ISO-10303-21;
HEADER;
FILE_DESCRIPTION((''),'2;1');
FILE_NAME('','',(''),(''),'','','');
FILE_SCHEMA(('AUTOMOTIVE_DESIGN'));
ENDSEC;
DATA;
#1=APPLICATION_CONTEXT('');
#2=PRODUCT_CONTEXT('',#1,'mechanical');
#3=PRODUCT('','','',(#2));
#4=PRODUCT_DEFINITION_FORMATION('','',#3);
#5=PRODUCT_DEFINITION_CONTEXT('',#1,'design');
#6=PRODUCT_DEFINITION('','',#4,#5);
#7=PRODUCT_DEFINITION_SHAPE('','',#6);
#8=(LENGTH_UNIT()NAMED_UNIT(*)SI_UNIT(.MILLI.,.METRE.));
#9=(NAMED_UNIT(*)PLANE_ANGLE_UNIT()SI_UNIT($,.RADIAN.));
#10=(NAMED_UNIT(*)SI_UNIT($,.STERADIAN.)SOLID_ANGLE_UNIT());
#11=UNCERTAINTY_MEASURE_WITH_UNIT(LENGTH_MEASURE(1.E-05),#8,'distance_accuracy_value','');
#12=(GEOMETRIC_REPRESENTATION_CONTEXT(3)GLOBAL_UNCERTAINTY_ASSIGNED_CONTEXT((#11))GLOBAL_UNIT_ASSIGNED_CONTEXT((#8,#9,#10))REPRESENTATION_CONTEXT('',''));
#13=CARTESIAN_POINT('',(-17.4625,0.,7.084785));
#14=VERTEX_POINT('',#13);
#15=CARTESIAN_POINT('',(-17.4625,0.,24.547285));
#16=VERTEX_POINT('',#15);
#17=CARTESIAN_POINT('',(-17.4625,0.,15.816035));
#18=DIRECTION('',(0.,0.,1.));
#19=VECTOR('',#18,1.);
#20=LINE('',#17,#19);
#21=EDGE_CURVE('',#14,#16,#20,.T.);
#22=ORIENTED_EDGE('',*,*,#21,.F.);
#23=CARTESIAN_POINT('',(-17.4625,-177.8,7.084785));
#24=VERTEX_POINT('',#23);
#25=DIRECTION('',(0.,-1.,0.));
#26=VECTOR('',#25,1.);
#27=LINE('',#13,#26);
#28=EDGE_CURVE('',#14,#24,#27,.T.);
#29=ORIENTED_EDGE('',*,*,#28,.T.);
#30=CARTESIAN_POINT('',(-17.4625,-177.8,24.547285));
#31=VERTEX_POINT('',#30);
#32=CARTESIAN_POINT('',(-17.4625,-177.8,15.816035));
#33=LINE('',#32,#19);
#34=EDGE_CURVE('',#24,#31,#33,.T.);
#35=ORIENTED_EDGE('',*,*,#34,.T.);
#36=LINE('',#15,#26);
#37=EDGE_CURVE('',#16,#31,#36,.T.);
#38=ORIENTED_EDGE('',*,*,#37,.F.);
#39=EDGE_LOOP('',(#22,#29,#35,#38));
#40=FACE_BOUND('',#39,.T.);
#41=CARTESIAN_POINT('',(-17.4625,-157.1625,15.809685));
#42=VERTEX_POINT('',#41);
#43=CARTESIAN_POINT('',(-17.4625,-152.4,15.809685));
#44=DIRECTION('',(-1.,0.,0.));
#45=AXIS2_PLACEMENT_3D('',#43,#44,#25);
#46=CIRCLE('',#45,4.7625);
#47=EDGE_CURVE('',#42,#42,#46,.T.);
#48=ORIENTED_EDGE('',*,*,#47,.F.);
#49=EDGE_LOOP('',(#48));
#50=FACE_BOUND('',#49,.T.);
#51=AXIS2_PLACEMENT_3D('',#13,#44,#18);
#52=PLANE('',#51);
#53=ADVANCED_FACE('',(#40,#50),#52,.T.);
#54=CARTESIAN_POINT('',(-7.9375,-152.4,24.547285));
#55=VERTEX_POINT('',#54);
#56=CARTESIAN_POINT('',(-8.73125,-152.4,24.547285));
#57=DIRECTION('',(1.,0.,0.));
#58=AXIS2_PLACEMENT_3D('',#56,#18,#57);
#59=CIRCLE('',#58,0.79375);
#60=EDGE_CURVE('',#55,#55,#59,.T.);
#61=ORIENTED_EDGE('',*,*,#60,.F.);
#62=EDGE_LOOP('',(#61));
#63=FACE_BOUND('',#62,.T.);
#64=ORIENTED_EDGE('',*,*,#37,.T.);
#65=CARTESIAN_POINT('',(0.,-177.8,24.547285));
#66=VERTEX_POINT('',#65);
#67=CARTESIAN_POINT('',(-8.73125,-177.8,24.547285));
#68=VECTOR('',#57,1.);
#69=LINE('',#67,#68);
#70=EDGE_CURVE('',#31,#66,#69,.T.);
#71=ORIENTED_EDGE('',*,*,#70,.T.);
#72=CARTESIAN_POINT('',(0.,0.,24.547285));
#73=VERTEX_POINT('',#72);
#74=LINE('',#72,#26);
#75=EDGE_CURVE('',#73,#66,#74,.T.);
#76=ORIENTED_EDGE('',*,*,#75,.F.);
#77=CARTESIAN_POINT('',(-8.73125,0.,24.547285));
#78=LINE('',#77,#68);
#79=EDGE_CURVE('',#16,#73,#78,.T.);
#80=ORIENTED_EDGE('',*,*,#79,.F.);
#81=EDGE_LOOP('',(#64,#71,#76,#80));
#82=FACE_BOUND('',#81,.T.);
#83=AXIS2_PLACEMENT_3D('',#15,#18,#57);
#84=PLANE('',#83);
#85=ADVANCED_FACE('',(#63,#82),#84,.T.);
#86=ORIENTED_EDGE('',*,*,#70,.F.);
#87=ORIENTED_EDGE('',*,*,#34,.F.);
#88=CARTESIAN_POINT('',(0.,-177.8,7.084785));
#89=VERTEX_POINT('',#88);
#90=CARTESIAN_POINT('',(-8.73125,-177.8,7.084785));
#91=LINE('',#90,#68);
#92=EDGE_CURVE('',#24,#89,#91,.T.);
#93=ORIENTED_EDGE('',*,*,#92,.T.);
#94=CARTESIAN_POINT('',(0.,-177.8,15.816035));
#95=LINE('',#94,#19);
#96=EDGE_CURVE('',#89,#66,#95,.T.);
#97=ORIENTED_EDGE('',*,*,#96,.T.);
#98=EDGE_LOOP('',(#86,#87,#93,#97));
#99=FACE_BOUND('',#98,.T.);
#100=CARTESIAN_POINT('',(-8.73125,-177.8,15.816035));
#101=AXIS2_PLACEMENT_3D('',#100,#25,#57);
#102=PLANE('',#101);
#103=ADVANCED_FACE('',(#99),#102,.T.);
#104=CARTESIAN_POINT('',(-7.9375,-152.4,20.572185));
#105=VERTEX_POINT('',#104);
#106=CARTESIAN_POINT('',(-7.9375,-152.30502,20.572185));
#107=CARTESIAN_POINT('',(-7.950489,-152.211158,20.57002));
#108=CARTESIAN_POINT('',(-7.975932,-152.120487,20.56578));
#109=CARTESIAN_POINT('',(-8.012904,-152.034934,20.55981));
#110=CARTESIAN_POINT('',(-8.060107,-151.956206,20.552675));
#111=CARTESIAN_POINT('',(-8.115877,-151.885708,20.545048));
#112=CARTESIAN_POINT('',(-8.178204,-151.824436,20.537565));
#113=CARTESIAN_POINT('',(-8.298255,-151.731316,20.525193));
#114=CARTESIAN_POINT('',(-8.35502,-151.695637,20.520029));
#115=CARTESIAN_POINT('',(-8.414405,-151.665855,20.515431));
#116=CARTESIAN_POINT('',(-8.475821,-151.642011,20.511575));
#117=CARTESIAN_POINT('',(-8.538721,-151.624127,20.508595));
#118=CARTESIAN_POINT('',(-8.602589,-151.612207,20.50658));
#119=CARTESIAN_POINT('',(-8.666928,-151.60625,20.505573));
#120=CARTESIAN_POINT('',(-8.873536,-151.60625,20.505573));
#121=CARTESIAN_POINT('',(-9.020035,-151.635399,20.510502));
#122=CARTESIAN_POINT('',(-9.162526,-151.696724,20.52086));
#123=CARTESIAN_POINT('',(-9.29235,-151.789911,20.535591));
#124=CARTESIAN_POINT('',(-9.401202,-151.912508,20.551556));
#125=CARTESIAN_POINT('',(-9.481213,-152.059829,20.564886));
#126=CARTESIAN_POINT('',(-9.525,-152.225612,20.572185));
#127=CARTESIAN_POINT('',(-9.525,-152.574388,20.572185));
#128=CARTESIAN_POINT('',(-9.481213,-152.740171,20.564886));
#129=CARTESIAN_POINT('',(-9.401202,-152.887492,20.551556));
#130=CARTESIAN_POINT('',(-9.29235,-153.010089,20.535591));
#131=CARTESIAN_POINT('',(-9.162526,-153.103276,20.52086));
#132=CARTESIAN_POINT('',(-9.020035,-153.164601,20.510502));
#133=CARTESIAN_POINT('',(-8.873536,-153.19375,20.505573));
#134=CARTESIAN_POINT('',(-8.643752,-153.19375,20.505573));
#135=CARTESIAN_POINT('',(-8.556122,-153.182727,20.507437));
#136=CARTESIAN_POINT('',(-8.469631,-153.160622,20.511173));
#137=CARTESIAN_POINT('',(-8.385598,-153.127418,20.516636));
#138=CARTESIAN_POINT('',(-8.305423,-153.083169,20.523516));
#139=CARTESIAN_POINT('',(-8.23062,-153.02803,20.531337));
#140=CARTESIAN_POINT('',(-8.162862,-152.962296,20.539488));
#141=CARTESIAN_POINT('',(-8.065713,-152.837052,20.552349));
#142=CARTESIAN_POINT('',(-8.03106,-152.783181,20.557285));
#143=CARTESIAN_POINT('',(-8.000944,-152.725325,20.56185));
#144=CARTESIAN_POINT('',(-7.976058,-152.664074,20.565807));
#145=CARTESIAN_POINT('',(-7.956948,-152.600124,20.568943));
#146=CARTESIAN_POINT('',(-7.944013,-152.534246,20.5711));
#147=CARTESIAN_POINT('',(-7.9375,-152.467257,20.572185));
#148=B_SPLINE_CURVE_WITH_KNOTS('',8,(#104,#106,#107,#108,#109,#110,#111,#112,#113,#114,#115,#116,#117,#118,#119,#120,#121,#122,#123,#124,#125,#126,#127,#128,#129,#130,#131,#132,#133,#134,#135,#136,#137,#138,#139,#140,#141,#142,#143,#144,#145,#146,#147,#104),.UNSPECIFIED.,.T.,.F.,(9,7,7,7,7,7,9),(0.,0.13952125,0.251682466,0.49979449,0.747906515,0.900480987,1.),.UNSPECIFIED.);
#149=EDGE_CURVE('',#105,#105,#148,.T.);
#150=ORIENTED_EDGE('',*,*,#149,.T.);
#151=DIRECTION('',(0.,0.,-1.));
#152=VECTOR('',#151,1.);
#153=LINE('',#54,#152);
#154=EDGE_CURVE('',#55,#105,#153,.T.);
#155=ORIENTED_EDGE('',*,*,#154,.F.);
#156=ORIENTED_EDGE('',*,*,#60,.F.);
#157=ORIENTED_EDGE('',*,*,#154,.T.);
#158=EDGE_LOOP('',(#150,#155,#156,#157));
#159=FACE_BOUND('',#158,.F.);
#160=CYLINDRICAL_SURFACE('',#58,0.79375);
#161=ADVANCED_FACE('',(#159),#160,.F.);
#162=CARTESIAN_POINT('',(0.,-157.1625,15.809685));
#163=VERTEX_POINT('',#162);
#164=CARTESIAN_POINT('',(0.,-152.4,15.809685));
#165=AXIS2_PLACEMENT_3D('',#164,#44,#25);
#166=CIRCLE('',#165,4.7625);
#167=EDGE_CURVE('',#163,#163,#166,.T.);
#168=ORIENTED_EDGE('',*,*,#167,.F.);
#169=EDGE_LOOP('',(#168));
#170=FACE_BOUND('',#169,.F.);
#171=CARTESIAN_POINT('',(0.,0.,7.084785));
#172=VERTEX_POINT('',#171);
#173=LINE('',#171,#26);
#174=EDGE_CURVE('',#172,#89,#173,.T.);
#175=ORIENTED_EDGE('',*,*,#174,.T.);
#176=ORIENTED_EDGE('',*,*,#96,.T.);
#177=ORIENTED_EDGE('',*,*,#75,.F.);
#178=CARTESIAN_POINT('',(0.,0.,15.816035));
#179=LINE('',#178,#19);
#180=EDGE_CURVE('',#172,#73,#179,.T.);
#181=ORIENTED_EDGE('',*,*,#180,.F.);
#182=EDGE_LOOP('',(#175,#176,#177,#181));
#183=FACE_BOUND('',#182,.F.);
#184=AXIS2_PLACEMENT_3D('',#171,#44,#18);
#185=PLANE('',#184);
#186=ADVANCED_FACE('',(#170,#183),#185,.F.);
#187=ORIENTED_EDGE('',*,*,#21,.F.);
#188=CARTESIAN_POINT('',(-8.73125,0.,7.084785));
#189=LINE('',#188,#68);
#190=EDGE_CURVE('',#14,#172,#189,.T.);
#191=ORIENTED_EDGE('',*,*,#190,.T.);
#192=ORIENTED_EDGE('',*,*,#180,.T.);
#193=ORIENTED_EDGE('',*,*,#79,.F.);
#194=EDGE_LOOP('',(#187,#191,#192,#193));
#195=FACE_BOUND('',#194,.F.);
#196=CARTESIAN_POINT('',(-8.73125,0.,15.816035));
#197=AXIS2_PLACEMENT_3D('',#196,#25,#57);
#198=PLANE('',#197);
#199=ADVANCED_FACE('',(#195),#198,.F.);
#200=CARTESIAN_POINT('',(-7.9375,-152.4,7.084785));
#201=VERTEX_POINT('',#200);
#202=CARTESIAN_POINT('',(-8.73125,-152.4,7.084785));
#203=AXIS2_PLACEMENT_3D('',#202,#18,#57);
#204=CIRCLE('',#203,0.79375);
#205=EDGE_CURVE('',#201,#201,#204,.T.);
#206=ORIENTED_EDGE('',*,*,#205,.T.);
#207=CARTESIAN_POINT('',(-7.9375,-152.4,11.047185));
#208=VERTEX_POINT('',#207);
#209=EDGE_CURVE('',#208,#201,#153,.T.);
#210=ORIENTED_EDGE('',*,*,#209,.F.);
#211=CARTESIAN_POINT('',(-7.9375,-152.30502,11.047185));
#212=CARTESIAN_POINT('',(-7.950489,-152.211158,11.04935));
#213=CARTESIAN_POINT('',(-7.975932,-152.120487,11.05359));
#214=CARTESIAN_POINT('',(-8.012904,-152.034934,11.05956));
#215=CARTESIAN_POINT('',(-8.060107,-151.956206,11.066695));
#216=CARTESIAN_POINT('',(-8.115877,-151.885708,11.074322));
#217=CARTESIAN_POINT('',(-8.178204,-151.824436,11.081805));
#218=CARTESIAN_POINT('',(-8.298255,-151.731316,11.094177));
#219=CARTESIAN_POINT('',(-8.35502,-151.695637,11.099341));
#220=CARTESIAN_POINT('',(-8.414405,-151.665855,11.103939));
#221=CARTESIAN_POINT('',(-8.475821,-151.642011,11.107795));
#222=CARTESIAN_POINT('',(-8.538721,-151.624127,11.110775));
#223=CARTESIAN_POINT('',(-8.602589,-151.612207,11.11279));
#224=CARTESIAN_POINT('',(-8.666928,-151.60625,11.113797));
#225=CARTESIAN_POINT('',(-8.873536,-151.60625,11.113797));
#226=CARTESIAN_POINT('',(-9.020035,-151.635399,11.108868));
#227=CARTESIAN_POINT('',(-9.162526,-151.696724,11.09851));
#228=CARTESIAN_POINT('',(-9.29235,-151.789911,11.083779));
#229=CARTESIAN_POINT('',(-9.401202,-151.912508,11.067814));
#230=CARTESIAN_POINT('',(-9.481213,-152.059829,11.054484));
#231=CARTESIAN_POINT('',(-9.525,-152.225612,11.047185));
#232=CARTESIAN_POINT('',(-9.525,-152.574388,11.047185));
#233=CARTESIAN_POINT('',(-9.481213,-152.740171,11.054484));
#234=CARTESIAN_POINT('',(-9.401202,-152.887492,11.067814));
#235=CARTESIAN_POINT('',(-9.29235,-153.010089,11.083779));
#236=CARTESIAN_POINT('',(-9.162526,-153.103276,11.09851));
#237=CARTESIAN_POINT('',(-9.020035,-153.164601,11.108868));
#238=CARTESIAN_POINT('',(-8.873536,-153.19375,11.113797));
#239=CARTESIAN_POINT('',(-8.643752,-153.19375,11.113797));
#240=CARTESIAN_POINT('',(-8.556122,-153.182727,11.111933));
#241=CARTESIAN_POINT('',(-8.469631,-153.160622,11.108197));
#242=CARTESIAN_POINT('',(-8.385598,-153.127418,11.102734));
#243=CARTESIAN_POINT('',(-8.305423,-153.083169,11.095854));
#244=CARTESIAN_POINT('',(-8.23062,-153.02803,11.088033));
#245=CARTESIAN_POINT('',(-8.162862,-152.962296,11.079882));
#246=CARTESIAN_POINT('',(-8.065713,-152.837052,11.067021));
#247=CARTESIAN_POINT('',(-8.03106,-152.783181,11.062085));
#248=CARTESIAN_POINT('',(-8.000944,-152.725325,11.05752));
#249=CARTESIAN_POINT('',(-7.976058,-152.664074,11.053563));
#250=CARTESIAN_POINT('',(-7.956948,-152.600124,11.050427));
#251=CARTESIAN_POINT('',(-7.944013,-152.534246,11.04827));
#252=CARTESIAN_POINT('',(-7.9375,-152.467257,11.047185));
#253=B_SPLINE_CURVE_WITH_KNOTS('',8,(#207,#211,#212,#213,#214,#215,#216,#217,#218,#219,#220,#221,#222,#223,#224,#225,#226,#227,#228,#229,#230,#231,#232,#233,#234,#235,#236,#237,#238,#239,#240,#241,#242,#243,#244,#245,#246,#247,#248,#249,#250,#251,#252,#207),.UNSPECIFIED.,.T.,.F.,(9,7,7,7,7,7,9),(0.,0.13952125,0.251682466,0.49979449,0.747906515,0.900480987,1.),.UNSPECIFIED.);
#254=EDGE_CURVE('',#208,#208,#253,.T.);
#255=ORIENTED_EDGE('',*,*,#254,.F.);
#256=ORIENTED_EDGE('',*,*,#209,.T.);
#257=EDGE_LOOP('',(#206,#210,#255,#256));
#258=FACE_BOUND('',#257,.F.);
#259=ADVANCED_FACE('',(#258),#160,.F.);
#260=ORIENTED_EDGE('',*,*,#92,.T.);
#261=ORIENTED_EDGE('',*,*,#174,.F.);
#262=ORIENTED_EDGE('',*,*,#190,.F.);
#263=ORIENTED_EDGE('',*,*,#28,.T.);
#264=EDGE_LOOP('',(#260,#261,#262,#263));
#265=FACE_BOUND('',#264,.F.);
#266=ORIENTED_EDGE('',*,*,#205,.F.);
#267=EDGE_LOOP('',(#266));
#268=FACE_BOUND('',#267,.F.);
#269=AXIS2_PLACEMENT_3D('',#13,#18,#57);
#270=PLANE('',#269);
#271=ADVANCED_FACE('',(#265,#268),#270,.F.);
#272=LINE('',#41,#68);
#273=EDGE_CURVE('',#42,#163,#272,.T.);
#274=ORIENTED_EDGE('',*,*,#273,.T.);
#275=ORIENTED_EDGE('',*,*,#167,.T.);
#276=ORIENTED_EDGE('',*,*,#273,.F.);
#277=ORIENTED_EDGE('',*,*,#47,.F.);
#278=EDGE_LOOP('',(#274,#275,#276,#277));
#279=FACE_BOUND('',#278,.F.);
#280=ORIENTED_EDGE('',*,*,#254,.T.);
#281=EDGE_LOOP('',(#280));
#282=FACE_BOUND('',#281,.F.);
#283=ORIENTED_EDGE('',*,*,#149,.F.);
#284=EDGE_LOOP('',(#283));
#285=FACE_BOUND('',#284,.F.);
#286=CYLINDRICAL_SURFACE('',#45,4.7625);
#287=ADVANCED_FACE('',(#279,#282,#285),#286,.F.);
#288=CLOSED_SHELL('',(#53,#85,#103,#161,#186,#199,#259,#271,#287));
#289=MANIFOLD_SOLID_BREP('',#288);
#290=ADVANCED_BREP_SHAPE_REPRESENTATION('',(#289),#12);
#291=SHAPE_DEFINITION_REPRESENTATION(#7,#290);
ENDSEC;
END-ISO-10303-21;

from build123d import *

# Parameters (mm, degrees)
F0_W     = 17.4625
F0_H     = 17.4625
F1_DEPTH = 177.8
F2_R     = 4.7625
F3_DEPTH = 17.4752
F4_R     = 0.79375
F5_DEPTH = 25.4


with BuildPart() as f1:
    # F0 (on Front) → F1 (new body)
    with BuildSketch(Plane.XZ):
        with Locations((-8.73125, 15.816035)):
            Rectangle(F0_W, F0_H)
    extrude(amount=F1_DEPTH)

    # F2 (on face) → F3 (cut)
    with BuildSketch(Plane(origin=(-17.4625, 0, 0), x_dir=(0, -1, 0), z_dir=(-1, 0, 0))):
        with Locations((152.4, 15.809685)):
            Circle(F2_R)
    extrude(amount=-F3_DEPTH, mode=Mode.SUBTRACT)

    # F4 (on face) → F5 (cut)
    with BuildSketch(Plane.XY.offset(24.547285)):
        with Locations((-8.73125, -152.4)):
            Circle(F4_R)
    extrude(amount=-F5_DEPTH, mode=Mode.SUBTRACT)


solid = f1.part
